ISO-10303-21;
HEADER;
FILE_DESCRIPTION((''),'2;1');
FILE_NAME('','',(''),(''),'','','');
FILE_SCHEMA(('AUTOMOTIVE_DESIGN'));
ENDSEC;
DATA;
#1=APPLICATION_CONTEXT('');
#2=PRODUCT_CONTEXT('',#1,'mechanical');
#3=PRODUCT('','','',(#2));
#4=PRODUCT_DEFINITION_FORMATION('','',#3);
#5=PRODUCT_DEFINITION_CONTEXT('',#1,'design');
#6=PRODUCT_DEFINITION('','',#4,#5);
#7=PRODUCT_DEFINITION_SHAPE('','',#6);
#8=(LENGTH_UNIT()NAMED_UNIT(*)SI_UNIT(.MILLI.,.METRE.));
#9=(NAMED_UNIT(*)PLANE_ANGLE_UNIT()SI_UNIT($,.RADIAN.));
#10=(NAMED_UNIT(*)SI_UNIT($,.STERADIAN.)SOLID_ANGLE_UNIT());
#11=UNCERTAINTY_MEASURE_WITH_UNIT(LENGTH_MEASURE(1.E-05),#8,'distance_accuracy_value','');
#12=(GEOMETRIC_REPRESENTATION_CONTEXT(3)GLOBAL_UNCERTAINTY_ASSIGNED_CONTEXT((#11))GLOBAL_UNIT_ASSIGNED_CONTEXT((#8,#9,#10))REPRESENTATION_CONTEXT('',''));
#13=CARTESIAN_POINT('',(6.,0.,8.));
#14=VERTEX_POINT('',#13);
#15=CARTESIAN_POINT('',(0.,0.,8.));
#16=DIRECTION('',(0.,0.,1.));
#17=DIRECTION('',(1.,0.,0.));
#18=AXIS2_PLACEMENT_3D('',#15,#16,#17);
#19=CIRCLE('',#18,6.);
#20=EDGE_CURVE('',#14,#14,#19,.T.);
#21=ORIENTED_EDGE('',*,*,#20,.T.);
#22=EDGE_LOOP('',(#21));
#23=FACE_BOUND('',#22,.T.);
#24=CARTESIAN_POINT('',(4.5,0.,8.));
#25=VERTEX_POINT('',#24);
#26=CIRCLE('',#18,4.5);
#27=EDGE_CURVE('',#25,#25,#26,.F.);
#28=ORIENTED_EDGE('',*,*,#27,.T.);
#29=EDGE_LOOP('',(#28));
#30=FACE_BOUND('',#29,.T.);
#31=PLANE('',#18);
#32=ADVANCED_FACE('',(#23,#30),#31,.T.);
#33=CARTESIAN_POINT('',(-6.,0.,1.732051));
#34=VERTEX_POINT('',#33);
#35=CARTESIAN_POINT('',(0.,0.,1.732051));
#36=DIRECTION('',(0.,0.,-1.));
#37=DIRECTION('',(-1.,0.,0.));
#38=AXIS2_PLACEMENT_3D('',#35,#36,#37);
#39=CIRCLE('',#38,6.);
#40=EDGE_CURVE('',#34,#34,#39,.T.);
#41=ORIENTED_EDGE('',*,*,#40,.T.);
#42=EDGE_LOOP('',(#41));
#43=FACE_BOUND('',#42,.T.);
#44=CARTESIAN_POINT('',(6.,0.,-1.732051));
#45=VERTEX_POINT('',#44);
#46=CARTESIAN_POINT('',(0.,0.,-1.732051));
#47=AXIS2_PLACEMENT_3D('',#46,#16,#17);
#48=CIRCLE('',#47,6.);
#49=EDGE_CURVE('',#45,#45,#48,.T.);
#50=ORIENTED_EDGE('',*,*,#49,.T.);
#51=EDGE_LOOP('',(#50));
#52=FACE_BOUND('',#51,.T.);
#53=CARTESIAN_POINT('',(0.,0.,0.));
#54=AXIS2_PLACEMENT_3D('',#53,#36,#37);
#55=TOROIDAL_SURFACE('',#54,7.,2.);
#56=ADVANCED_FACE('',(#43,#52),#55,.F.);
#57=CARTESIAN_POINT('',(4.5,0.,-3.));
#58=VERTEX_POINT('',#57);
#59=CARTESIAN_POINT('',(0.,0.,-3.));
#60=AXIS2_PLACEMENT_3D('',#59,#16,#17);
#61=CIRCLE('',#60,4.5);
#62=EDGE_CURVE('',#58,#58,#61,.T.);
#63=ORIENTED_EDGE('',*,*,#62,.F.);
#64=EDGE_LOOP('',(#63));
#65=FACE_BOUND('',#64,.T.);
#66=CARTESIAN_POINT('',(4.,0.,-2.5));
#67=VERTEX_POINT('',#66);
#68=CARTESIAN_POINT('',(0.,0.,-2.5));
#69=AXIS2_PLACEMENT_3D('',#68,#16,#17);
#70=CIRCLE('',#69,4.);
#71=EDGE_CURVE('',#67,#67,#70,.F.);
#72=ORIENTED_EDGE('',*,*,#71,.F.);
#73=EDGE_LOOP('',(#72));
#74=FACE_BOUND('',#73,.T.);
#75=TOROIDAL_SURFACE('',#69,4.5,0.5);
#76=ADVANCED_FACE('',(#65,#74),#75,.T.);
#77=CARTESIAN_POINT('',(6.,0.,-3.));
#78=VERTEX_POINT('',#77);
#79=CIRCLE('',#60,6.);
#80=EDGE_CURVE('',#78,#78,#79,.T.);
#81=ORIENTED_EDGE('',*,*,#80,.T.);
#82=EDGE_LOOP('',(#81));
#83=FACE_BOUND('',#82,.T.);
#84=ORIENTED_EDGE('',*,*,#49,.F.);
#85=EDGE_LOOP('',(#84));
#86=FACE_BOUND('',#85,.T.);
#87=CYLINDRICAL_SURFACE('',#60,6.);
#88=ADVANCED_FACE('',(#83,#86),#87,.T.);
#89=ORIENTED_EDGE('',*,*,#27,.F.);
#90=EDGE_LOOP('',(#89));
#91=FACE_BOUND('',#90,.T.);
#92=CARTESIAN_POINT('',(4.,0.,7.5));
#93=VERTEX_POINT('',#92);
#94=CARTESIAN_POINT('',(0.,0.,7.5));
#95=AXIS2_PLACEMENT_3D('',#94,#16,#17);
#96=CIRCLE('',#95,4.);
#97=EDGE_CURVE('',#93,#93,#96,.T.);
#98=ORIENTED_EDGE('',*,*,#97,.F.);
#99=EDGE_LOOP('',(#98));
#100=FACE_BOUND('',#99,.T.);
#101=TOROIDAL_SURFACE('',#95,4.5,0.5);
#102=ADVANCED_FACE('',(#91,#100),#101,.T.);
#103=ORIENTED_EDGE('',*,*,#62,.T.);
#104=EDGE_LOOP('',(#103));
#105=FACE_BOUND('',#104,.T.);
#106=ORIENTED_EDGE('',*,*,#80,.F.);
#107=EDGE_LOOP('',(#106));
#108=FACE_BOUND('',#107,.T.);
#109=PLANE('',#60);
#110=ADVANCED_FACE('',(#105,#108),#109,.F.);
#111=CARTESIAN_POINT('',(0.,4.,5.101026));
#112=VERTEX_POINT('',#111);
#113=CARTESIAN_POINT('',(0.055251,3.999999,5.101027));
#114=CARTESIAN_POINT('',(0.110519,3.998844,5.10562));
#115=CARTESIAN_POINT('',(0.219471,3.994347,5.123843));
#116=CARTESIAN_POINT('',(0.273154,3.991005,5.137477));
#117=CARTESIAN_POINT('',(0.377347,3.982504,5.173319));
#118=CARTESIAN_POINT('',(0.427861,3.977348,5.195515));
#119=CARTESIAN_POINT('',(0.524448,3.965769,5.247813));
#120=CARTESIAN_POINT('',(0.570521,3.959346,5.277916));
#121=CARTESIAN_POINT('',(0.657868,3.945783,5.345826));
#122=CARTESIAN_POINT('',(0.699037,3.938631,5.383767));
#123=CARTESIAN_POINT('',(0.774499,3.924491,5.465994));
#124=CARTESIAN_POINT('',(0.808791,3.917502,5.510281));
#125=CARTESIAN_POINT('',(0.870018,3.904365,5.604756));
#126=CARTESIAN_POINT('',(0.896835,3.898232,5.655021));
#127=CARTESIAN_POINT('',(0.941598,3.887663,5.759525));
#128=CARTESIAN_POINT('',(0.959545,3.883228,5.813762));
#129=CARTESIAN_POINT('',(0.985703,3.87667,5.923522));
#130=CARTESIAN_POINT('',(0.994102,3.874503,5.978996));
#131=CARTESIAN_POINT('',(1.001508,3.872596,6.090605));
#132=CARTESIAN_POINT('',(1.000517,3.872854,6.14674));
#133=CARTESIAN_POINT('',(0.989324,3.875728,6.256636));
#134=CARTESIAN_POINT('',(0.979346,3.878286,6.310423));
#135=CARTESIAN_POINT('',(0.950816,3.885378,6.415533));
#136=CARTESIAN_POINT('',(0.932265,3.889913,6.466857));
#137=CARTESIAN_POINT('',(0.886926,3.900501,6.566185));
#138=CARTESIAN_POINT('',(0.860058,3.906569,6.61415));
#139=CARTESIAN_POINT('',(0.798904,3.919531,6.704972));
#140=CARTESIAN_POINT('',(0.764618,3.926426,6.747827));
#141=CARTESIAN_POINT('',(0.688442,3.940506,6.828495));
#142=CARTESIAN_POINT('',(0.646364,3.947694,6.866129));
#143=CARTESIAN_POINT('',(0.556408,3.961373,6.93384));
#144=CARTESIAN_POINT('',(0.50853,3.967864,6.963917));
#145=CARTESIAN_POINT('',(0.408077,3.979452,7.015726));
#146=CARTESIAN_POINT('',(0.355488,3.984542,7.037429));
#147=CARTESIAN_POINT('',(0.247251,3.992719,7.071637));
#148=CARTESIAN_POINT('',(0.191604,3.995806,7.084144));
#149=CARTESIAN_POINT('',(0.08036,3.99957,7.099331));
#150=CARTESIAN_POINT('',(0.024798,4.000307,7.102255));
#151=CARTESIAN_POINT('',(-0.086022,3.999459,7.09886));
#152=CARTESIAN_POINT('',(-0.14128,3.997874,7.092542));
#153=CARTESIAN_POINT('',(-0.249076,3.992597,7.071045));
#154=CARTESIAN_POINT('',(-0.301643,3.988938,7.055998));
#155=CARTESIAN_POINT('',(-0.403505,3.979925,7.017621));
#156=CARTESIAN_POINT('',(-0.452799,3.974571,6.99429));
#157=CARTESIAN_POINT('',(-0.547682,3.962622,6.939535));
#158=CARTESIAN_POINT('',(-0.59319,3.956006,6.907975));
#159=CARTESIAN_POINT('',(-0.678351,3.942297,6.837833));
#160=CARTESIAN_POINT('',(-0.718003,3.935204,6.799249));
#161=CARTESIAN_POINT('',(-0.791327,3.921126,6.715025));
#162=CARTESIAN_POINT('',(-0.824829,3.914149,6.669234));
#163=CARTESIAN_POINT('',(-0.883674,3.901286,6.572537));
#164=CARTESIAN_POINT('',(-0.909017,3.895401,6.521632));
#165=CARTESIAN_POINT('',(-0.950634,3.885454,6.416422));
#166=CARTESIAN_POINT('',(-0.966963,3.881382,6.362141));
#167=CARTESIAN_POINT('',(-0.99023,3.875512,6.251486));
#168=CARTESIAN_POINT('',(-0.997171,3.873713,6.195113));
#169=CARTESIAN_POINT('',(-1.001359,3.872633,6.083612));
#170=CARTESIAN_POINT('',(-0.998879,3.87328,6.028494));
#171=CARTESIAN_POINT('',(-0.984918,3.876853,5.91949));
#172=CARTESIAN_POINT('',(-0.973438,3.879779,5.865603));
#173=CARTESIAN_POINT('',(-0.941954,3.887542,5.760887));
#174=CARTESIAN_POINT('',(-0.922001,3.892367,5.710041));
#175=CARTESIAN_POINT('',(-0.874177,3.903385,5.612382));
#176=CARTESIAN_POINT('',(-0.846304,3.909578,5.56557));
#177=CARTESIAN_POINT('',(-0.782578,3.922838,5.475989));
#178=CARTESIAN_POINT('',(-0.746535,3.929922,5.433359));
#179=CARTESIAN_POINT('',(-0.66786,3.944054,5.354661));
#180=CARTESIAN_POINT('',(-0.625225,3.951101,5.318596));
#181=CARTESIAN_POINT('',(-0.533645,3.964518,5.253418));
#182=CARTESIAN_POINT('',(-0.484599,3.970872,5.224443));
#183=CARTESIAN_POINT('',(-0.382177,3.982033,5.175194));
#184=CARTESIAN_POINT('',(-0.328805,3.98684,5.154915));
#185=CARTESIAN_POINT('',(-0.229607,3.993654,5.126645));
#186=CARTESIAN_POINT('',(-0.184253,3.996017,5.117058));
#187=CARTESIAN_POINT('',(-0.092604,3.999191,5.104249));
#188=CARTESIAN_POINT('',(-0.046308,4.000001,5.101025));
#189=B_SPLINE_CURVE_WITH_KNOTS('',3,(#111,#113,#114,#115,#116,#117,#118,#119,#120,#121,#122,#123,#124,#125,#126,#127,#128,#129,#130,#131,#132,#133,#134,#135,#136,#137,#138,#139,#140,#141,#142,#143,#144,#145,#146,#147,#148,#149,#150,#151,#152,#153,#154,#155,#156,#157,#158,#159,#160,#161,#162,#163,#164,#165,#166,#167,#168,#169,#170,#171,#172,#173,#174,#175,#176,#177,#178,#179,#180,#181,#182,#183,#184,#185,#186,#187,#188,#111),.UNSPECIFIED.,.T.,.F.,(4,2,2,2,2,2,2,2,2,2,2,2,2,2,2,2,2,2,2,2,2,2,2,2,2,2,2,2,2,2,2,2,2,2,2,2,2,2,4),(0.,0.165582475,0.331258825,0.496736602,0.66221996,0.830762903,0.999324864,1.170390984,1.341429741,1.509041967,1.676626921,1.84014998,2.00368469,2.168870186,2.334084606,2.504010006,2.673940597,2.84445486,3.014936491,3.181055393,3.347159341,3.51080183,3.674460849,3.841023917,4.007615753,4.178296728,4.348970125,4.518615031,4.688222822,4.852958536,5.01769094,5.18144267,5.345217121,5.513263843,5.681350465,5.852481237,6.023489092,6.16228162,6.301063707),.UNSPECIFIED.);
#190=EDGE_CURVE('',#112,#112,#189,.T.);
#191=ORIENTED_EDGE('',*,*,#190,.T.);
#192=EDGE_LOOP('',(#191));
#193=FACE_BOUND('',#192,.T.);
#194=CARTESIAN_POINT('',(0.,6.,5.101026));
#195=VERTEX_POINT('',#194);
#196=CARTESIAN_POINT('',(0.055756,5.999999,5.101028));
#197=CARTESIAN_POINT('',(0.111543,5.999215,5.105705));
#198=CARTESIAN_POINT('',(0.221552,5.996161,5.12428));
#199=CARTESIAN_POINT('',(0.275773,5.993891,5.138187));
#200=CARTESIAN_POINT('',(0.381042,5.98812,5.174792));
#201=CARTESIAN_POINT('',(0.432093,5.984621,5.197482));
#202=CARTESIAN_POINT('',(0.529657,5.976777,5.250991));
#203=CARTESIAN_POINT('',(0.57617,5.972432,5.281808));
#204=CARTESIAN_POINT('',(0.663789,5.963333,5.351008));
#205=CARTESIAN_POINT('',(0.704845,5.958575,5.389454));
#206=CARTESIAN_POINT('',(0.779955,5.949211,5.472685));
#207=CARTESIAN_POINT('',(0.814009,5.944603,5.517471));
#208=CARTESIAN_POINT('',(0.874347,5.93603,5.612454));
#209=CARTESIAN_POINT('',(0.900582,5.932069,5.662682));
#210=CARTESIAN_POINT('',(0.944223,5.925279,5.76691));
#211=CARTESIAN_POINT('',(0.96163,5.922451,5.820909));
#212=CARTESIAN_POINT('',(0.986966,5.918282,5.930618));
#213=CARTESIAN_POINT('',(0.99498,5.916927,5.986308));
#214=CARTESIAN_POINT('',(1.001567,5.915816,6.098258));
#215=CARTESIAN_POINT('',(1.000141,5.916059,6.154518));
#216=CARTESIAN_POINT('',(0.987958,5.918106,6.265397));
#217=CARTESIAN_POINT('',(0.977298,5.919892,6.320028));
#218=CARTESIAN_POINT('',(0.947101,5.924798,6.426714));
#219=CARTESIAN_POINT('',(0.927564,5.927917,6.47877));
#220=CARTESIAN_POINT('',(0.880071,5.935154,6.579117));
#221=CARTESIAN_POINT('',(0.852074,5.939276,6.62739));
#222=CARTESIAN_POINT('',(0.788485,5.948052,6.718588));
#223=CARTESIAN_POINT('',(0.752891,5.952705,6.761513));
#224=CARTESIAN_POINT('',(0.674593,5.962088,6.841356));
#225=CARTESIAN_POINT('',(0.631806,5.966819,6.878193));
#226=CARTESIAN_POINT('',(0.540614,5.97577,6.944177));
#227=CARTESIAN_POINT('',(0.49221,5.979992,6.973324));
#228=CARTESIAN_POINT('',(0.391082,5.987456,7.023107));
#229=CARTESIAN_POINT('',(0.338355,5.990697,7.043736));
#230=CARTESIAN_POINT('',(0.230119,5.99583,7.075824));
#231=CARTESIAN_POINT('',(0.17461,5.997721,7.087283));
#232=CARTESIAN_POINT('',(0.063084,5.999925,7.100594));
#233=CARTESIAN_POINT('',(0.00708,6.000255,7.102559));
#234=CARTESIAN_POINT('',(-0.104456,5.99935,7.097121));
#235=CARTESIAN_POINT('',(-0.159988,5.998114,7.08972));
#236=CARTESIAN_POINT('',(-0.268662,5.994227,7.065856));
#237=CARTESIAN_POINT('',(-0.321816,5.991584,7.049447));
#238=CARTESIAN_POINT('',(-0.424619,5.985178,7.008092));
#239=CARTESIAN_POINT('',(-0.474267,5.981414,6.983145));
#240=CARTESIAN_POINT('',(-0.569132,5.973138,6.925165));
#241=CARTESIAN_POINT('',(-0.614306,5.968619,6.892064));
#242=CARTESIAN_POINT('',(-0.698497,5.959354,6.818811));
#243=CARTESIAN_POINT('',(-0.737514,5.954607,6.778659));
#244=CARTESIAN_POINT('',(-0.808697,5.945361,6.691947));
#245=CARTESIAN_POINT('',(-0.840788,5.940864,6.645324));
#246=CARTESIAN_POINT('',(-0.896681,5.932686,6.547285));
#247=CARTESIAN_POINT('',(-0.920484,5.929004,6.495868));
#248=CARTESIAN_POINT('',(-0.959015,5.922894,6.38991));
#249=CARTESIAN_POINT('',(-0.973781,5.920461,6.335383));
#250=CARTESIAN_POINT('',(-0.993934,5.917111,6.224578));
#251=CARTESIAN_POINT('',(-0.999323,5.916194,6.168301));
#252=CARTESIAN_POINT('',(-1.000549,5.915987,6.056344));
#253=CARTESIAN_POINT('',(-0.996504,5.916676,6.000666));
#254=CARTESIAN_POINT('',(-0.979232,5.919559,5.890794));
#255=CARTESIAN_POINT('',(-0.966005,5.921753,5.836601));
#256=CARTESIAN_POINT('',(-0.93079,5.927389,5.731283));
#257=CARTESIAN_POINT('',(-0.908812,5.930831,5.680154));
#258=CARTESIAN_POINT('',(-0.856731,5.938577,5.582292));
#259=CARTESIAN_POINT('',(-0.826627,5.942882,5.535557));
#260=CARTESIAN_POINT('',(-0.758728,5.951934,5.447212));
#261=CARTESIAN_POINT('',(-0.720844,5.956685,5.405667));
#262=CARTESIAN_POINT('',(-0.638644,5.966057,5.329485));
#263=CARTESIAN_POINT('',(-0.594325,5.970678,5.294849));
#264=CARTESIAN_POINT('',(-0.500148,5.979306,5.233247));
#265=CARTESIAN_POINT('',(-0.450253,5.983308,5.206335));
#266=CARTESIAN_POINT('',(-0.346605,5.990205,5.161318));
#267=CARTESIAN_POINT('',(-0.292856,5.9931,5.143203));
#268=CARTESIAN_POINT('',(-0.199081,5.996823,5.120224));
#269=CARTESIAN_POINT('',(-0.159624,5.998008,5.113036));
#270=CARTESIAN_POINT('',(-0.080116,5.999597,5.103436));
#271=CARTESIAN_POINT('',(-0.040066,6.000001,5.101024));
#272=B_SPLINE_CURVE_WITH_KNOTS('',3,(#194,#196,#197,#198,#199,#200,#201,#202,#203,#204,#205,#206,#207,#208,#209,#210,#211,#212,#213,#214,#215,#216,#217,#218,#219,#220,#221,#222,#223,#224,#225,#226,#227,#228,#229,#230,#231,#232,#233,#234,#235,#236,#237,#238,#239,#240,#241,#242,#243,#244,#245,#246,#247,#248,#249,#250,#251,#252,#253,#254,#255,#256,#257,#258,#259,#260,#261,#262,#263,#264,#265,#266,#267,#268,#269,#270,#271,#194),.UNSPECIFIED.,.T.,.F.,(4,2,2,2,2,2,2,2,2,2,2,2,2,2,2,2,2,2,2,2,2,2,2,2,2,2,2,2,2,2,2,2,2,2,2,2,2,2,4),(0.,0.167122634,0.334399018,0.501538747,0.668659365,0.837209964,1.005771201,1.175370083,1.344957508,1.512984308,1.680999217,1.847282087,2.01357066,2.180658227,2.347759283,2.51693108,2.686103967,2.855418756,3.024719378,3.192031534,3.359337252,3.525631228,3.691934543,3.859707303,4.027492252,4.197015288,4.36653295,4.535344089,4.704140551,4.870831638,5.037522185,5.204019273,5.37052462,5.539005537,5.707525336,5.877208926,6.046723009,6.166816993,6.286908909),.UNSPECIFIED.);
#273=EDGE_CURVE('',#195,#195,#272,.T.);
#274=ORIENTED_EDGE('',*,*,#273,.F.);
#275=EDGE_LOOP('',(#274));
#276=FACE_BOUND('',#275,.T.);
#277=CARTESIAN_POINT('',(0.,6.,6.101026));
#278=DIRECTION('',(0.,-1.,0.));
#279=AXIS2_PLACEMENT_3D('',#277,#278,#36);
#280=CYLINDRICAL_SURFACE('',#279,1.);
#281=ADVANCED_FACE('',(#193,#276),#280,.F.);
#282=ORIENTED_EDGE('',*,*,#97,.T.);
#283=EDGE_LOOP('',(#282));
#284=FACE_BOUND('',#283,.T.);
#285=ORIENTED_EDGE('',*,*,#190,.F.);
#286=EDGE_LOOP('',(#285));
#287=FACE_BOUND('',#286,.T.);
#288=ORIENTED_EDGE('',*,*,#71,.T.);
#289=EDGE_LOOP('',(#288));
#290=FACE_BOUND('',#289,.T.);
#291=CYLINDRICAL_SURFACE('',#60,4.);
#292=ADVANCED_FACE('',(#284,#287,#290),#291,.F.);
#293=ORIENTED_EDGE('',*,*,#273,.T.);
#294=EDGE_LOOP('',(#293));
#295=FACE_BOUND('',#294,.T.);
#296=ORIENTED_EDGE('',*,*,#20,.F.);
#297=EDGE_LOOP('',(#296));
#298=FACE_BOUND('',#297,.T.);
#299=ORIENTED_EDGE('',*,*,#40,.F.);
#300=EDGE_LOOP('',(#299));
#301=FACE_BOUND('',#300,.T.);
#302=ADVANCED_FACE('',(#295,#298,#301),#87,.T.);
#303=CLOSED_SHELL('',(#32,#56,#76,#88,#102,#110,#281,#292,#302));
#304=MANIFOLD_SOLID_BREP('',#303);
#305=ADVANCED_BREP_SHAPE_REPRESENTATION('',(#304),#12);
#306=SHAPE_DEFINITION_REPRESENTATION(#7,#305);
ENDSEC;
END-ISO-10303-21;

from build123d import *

# Parameters (mm, degrees)
BOSS_EXTRUDE1_DEPTH      = 8
BOSS_EXTRUDE1_DEPTH_BACK = 3
SKETCH1_R                = 6
SKETCH1_R_2              = 4
SKETCH3_R                = 2
FILLET1_R                = 0.5
SKETCH4_R                = 1
CUT_EXTRUDE2_DEPTH       = 12.66190379


with BuildPart() as part:
    # Sketch1 → Boss-Extrude1 (new, two sides: drawn at the far end of the back side and taken through both)
    with BuildSketch(Plane.XY.offset(-BOSS_EXTRUDE1_DEPTH_BACK)):
        Circle(SKETCH1_R)
        Circle(SKETCH1_R_2, mode=Mode.SUBTRACT)
    extrude(amount=BOSS_EXTRUDE1_DEPTH + BOSS_EXTRUDE1_DEPTH_BACK)

    # Sketch3 → Cut-Revolve1 (revolve, cut)
    with BuildSketch(Plane(origin=(0, 0, 0), x_dir=(1, 0, 0), z_dir=(0, 1, 0)), mode=Mode.PRIVATE) as cut_revolve1_sk:
        with Locations((-7, 0)):
            Circle(SKETCH3_R)
    revolve(cut_revolve1_sk.sketch.rotate(Axis((0, 0, -3.036308444), (0, 0, 1)), 180), axis=Axis((0, 0, -3.036308444), (0, 0, 1)), mode=Mode.SUBTRACT)

    # Fillet1
    fillet1_edges = [part.edges().sort_by_distance(p)[0] for p in [
        (-4, 0, -3),
        (-4, 0, 8),
    ]]
    fillet(fillet1_edges, radius=FILLET1_R)

    # Sketch4 → Cut-Extrude2 (cut, through all)
    with BuildSketch(Plane(origin=(0, 0, 0), x_dir=(1, 0, 0), z_dir=(0, 1, 0))):
        with Locations(Location((0, -6.101025888, 0), (0, 0, 90))):
            Circle(SKETCH4_R)
    extrude(amount=CUT_EXTRUDE2_DEPTH, mode=Mode.SUBTRACT)


solid = part.part
